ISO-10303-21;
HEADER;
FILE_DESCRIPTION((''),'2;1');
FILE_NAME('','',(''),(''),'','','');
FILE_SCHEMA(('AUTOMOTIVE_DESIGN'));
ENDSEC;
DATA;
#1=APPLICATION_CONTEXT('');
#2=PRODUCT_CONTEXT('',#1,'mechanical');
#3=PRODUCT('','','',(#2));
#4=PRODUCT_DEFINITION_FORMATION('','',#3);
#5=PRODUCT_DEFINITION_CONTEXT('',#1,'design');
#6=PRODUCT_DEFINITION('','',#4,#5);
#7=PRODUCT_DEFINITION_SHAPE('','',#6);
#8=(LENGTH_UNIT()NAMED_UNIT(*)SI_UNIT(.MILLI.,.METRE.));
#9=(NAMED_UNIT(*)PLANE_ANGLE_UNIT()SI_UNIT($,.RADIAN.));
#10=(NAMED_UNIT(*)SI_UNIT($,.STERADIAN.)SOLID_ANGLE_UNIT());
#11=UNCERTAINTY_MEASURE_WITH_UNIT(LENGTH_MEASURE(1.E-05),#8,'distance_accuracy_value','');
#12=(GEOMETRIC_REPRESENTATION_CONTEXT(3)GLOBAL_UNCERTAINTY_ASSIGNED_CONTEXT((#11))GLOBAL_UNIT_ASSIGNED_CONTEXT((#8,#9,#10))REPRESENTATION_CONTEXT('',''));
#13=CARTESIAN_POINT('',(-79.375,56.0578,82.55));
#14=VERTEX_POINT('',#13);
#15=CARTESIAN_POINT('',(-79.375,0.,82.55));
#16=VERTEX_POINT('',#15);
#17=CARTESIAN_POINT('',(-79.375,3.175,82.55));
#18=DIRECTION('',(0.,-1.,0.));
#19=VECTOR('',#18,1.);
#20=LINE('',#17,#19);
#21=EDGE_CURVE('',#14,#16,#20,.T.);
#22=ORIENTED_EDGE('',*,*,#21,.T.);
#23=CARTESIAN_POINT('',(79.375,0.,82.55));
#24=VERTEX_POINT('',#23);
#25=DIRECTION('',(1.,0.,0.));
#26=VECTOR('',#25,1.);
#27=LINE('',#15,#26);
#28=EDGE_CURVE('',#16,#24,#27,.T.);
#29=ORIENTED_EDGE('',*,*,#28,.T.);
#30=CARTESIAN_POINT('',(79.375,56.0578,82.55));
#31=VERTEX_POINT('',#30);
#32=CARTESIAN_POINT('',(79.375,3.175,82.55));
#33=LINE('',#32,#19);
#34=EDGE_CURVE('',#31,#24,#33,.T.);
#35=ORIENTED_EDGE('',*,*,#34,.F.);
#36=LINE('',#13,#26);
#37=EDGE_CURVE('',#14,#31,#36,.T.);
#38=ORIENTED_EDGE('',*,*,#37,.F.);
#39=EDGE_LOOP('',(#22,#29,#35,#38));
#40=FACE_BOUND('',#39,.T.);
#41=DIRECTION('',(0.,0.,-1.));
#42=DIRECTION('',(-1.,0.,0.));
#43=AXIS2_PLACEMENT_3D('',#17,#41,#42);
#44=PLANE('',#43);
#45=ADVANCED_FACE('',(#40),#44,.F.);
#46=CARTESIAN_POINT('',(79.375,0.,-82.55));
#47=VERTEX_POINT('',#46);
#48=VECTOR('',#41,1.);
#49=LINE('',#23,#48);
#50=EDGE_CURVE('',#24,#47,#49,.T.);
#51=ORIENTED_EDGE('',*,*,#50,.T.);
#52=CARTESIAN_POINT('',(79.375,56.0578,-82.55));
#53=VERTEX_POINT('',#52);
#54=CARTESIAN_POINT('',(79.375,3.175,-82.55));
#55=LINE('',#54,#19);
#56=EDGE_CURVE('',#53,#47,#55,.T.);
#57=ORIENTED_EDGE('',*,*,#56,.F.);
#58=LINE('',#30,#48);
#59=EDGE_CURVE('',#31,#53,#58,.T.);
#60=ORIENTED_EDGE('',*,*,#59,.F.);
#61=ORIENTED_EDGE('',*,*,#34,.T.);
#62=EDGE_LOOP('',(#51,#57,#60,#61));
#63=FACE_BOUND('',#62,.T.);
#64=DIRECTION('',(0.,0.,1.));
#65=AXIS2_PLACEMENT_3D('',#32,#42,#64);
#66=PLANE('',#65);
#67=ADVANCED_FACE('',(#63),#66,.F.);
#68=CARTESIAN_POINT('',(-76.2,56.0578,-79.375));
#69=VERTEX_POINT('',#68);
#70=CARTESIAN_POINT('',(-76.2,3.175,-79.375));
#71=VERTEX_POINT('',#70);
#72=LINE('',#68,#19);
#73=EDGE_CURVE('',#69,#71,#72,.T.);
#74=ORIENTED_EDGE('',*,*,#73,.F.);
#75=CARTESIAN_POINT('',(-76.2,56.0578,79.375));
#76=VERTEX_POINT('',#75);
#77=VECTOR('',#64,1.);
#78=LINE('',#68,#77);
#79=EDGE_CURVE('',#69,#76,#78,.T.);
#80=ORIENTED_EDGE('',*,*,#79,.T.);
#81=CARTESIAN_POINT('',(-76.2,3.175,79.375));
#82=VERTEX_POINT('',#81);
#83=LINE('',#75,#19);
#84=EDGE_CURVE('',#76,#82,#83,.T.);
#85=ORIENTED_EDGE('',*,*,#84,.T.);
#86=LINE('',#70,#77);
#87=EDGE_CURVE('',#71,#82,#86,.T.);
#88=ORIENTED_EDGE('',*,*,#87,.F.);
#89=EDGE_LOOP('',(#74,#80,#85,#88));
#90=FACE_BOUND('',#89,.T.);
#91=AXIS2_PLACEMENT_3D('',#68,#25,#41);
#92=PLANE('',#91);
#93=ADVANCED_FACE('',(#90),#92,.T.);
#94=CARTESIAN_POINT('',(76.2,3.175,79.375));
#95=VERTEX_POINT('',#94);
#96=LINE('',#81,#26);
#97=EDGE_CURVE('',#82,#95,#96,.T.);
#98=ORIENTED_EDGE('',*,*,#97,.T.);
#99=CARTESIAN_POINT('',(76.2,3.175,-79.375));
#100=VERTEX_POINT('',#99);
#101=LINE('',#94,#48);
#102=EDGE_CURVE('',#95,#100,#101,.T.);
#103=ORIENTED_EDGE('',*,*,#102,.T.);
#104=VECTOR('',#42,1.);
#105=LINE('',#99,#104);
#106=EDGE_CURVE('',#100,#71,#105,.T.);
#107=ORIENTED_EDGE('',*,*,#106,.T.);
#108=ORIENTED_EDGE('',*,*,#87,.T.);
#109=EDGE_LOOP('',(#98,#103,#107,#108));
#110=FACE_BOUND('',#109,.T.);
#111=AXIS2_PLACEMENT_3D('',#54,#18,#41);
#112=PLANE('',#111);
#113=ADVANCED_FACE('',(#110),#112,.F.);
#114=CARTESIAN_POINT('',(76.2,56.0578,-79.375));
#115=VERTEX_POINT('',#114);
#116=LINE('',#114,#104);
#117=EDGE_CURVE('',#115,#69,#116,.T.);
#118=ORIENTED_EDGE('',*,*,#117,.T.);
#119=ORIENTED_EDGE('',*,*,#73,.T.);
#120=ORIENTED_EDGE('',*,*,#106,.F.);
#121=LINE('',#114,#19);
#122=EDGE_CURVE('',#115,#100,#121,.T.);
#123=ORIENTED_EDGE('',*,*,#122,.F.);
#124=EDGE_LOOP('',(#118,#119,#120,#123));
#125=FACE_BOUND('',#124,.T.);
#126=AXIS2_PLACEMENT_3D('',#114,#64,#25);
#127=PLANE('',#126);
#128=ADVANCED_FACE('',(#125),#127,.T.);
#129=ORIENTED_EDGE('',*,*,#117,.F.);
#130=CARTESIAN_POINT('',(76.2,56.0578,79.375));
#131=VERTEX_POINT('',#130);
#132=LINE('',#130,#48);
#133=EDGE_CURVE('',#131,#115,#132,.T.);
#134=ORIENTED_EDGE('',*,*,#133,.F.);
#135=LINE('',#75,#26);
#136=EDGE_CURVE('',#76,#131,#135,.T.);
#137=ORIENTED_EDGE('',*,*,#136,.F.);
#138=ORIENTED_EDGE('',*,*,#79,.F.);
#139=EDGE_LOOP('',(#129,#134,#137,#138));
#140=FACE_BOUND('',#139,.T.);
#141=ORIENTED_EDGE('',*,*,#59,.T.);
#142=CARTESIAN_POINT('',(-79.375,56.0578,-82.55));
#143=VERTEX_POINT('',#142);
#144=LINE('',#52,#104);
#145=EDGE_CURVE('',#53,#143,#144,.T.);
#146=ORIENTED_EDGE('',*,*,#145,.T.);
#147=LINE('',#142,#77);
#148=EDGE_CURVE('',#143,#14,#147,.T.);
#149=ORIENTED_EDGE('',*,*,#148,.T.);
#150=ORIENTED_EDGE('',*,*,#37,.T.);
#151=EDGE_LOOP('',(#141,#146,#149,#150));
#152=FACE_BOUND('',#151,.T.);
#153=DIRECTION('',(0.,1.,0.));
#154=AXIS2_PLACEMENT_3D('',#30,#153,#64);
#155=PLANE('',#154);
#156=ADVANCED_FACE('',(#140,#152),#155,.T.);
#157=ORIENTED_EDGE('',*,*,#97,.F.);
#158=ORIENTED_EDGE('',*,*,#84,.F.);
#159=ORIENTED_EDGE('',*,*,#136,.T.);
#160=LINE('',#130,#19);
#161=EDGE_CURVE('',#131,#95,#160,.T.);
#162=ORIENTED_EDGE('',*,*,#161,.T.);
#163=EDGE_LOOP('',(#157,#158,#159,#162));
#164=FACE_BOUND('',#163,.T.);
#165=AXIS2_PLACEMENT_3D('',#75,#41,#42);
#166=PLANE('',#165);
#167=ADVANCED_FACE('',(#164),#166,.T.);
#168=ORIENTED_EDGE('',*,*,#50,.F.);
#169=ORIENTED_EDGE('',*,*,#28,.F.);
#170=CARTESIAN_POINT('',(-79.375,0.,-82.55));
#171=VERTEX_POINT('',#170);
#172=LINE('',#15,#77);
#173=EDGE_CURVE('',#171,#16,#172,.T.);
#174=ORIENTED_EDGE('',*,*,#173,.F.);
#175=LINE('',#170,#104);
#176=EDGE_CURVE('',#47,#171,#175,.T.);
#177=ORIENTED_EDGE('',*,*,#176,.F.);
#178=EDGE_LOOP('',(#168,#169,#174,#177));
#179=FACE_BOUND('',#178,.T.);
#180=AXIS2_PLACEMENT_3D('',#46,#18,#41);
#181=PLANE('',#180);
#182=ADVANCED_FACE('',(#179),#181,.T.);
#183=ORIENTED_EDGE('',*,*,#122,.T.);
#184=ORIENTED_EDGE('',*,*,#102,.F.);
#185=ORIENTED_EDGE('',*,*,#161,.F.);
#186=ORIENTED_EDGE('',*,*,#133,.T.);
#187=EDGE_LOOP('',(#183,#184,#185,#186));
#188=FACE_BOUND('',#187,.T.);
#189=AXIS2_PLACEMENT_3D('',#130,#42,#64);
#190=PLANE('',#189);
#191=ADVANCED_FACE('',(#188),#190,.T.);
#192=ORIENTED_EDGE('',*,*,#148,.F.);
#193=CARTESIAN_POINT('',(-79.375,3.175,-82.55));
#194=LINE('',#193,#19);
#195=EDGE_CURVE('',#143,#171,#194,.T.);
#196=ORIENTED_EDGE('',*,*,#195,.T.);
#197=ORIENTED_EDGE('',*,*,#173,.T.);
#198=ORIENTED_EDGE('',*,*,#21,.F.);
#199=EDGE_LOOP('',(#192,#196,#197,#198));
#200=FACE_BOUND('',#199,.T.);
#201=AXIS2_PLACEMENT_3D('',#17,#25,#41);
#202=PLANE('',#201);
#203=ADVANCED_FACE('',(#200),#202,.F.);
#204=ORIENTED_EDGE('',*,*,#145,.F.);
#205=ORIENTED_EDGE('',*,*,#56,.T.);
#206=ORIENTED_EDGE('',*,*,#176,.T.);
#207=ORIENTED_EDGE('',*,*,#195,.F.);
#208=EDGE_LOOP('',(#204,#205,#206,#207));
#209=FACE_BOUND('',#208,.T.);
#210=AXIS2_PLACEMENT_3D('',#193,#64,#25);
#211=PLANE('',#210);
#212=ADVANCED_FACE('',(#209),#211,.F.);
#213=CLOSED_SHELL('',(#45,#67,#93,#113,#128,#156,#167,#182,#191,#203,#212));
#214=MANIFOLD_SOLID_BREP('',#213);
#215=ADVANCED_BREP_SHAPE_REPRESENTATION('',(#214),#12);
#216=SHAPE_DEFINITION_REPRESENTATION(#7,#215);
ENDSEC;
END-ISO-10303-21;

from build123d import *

# Parameters (mm, degrees)
SKETCH1_W           = 158.75
SKETCH1_H           = 165.1
BOSS_EXTRUDE1_DEPTH = 3.175
SKETCH2_W           = 158.75
SKETCH2_H           = 165.1
SKETCH2_W_2         = 152.4
SKETCH2_H_2         = 158.75
BOSS_EXTRUDE2_DEPTH = 52.8828


with BuildPart() as part:
    # Sketch1 → Boss-Extrude1 (new body)
    with BuildSketch(Plane(origin=(0, 0, 0), x_dir=(1, 0, 0), z_dir=(0, 1, 0))):
        Rectangle(SKETCH1_W, SKETCH1_H)
    extrude(amount=BOSS_EXTRUDE1_DEPTH)

    # Sketch2 → Boss-Extrude2 (add)
    with BuildSketch(Plane(origin=(0, 3.175, 0), x_dir=(1, 0, 0), z_dir=(0, 1, 0))):
        Rectangle(SKETCH2_W, SKETCH2_H)
        Rectangle(SKETCH2_W_2, SKETCH2_H_2, mode=Mode.SUBTRACT)
    extrude(amount=BOSS_EXTRUDE2_DEPTH)


solid = part.part
